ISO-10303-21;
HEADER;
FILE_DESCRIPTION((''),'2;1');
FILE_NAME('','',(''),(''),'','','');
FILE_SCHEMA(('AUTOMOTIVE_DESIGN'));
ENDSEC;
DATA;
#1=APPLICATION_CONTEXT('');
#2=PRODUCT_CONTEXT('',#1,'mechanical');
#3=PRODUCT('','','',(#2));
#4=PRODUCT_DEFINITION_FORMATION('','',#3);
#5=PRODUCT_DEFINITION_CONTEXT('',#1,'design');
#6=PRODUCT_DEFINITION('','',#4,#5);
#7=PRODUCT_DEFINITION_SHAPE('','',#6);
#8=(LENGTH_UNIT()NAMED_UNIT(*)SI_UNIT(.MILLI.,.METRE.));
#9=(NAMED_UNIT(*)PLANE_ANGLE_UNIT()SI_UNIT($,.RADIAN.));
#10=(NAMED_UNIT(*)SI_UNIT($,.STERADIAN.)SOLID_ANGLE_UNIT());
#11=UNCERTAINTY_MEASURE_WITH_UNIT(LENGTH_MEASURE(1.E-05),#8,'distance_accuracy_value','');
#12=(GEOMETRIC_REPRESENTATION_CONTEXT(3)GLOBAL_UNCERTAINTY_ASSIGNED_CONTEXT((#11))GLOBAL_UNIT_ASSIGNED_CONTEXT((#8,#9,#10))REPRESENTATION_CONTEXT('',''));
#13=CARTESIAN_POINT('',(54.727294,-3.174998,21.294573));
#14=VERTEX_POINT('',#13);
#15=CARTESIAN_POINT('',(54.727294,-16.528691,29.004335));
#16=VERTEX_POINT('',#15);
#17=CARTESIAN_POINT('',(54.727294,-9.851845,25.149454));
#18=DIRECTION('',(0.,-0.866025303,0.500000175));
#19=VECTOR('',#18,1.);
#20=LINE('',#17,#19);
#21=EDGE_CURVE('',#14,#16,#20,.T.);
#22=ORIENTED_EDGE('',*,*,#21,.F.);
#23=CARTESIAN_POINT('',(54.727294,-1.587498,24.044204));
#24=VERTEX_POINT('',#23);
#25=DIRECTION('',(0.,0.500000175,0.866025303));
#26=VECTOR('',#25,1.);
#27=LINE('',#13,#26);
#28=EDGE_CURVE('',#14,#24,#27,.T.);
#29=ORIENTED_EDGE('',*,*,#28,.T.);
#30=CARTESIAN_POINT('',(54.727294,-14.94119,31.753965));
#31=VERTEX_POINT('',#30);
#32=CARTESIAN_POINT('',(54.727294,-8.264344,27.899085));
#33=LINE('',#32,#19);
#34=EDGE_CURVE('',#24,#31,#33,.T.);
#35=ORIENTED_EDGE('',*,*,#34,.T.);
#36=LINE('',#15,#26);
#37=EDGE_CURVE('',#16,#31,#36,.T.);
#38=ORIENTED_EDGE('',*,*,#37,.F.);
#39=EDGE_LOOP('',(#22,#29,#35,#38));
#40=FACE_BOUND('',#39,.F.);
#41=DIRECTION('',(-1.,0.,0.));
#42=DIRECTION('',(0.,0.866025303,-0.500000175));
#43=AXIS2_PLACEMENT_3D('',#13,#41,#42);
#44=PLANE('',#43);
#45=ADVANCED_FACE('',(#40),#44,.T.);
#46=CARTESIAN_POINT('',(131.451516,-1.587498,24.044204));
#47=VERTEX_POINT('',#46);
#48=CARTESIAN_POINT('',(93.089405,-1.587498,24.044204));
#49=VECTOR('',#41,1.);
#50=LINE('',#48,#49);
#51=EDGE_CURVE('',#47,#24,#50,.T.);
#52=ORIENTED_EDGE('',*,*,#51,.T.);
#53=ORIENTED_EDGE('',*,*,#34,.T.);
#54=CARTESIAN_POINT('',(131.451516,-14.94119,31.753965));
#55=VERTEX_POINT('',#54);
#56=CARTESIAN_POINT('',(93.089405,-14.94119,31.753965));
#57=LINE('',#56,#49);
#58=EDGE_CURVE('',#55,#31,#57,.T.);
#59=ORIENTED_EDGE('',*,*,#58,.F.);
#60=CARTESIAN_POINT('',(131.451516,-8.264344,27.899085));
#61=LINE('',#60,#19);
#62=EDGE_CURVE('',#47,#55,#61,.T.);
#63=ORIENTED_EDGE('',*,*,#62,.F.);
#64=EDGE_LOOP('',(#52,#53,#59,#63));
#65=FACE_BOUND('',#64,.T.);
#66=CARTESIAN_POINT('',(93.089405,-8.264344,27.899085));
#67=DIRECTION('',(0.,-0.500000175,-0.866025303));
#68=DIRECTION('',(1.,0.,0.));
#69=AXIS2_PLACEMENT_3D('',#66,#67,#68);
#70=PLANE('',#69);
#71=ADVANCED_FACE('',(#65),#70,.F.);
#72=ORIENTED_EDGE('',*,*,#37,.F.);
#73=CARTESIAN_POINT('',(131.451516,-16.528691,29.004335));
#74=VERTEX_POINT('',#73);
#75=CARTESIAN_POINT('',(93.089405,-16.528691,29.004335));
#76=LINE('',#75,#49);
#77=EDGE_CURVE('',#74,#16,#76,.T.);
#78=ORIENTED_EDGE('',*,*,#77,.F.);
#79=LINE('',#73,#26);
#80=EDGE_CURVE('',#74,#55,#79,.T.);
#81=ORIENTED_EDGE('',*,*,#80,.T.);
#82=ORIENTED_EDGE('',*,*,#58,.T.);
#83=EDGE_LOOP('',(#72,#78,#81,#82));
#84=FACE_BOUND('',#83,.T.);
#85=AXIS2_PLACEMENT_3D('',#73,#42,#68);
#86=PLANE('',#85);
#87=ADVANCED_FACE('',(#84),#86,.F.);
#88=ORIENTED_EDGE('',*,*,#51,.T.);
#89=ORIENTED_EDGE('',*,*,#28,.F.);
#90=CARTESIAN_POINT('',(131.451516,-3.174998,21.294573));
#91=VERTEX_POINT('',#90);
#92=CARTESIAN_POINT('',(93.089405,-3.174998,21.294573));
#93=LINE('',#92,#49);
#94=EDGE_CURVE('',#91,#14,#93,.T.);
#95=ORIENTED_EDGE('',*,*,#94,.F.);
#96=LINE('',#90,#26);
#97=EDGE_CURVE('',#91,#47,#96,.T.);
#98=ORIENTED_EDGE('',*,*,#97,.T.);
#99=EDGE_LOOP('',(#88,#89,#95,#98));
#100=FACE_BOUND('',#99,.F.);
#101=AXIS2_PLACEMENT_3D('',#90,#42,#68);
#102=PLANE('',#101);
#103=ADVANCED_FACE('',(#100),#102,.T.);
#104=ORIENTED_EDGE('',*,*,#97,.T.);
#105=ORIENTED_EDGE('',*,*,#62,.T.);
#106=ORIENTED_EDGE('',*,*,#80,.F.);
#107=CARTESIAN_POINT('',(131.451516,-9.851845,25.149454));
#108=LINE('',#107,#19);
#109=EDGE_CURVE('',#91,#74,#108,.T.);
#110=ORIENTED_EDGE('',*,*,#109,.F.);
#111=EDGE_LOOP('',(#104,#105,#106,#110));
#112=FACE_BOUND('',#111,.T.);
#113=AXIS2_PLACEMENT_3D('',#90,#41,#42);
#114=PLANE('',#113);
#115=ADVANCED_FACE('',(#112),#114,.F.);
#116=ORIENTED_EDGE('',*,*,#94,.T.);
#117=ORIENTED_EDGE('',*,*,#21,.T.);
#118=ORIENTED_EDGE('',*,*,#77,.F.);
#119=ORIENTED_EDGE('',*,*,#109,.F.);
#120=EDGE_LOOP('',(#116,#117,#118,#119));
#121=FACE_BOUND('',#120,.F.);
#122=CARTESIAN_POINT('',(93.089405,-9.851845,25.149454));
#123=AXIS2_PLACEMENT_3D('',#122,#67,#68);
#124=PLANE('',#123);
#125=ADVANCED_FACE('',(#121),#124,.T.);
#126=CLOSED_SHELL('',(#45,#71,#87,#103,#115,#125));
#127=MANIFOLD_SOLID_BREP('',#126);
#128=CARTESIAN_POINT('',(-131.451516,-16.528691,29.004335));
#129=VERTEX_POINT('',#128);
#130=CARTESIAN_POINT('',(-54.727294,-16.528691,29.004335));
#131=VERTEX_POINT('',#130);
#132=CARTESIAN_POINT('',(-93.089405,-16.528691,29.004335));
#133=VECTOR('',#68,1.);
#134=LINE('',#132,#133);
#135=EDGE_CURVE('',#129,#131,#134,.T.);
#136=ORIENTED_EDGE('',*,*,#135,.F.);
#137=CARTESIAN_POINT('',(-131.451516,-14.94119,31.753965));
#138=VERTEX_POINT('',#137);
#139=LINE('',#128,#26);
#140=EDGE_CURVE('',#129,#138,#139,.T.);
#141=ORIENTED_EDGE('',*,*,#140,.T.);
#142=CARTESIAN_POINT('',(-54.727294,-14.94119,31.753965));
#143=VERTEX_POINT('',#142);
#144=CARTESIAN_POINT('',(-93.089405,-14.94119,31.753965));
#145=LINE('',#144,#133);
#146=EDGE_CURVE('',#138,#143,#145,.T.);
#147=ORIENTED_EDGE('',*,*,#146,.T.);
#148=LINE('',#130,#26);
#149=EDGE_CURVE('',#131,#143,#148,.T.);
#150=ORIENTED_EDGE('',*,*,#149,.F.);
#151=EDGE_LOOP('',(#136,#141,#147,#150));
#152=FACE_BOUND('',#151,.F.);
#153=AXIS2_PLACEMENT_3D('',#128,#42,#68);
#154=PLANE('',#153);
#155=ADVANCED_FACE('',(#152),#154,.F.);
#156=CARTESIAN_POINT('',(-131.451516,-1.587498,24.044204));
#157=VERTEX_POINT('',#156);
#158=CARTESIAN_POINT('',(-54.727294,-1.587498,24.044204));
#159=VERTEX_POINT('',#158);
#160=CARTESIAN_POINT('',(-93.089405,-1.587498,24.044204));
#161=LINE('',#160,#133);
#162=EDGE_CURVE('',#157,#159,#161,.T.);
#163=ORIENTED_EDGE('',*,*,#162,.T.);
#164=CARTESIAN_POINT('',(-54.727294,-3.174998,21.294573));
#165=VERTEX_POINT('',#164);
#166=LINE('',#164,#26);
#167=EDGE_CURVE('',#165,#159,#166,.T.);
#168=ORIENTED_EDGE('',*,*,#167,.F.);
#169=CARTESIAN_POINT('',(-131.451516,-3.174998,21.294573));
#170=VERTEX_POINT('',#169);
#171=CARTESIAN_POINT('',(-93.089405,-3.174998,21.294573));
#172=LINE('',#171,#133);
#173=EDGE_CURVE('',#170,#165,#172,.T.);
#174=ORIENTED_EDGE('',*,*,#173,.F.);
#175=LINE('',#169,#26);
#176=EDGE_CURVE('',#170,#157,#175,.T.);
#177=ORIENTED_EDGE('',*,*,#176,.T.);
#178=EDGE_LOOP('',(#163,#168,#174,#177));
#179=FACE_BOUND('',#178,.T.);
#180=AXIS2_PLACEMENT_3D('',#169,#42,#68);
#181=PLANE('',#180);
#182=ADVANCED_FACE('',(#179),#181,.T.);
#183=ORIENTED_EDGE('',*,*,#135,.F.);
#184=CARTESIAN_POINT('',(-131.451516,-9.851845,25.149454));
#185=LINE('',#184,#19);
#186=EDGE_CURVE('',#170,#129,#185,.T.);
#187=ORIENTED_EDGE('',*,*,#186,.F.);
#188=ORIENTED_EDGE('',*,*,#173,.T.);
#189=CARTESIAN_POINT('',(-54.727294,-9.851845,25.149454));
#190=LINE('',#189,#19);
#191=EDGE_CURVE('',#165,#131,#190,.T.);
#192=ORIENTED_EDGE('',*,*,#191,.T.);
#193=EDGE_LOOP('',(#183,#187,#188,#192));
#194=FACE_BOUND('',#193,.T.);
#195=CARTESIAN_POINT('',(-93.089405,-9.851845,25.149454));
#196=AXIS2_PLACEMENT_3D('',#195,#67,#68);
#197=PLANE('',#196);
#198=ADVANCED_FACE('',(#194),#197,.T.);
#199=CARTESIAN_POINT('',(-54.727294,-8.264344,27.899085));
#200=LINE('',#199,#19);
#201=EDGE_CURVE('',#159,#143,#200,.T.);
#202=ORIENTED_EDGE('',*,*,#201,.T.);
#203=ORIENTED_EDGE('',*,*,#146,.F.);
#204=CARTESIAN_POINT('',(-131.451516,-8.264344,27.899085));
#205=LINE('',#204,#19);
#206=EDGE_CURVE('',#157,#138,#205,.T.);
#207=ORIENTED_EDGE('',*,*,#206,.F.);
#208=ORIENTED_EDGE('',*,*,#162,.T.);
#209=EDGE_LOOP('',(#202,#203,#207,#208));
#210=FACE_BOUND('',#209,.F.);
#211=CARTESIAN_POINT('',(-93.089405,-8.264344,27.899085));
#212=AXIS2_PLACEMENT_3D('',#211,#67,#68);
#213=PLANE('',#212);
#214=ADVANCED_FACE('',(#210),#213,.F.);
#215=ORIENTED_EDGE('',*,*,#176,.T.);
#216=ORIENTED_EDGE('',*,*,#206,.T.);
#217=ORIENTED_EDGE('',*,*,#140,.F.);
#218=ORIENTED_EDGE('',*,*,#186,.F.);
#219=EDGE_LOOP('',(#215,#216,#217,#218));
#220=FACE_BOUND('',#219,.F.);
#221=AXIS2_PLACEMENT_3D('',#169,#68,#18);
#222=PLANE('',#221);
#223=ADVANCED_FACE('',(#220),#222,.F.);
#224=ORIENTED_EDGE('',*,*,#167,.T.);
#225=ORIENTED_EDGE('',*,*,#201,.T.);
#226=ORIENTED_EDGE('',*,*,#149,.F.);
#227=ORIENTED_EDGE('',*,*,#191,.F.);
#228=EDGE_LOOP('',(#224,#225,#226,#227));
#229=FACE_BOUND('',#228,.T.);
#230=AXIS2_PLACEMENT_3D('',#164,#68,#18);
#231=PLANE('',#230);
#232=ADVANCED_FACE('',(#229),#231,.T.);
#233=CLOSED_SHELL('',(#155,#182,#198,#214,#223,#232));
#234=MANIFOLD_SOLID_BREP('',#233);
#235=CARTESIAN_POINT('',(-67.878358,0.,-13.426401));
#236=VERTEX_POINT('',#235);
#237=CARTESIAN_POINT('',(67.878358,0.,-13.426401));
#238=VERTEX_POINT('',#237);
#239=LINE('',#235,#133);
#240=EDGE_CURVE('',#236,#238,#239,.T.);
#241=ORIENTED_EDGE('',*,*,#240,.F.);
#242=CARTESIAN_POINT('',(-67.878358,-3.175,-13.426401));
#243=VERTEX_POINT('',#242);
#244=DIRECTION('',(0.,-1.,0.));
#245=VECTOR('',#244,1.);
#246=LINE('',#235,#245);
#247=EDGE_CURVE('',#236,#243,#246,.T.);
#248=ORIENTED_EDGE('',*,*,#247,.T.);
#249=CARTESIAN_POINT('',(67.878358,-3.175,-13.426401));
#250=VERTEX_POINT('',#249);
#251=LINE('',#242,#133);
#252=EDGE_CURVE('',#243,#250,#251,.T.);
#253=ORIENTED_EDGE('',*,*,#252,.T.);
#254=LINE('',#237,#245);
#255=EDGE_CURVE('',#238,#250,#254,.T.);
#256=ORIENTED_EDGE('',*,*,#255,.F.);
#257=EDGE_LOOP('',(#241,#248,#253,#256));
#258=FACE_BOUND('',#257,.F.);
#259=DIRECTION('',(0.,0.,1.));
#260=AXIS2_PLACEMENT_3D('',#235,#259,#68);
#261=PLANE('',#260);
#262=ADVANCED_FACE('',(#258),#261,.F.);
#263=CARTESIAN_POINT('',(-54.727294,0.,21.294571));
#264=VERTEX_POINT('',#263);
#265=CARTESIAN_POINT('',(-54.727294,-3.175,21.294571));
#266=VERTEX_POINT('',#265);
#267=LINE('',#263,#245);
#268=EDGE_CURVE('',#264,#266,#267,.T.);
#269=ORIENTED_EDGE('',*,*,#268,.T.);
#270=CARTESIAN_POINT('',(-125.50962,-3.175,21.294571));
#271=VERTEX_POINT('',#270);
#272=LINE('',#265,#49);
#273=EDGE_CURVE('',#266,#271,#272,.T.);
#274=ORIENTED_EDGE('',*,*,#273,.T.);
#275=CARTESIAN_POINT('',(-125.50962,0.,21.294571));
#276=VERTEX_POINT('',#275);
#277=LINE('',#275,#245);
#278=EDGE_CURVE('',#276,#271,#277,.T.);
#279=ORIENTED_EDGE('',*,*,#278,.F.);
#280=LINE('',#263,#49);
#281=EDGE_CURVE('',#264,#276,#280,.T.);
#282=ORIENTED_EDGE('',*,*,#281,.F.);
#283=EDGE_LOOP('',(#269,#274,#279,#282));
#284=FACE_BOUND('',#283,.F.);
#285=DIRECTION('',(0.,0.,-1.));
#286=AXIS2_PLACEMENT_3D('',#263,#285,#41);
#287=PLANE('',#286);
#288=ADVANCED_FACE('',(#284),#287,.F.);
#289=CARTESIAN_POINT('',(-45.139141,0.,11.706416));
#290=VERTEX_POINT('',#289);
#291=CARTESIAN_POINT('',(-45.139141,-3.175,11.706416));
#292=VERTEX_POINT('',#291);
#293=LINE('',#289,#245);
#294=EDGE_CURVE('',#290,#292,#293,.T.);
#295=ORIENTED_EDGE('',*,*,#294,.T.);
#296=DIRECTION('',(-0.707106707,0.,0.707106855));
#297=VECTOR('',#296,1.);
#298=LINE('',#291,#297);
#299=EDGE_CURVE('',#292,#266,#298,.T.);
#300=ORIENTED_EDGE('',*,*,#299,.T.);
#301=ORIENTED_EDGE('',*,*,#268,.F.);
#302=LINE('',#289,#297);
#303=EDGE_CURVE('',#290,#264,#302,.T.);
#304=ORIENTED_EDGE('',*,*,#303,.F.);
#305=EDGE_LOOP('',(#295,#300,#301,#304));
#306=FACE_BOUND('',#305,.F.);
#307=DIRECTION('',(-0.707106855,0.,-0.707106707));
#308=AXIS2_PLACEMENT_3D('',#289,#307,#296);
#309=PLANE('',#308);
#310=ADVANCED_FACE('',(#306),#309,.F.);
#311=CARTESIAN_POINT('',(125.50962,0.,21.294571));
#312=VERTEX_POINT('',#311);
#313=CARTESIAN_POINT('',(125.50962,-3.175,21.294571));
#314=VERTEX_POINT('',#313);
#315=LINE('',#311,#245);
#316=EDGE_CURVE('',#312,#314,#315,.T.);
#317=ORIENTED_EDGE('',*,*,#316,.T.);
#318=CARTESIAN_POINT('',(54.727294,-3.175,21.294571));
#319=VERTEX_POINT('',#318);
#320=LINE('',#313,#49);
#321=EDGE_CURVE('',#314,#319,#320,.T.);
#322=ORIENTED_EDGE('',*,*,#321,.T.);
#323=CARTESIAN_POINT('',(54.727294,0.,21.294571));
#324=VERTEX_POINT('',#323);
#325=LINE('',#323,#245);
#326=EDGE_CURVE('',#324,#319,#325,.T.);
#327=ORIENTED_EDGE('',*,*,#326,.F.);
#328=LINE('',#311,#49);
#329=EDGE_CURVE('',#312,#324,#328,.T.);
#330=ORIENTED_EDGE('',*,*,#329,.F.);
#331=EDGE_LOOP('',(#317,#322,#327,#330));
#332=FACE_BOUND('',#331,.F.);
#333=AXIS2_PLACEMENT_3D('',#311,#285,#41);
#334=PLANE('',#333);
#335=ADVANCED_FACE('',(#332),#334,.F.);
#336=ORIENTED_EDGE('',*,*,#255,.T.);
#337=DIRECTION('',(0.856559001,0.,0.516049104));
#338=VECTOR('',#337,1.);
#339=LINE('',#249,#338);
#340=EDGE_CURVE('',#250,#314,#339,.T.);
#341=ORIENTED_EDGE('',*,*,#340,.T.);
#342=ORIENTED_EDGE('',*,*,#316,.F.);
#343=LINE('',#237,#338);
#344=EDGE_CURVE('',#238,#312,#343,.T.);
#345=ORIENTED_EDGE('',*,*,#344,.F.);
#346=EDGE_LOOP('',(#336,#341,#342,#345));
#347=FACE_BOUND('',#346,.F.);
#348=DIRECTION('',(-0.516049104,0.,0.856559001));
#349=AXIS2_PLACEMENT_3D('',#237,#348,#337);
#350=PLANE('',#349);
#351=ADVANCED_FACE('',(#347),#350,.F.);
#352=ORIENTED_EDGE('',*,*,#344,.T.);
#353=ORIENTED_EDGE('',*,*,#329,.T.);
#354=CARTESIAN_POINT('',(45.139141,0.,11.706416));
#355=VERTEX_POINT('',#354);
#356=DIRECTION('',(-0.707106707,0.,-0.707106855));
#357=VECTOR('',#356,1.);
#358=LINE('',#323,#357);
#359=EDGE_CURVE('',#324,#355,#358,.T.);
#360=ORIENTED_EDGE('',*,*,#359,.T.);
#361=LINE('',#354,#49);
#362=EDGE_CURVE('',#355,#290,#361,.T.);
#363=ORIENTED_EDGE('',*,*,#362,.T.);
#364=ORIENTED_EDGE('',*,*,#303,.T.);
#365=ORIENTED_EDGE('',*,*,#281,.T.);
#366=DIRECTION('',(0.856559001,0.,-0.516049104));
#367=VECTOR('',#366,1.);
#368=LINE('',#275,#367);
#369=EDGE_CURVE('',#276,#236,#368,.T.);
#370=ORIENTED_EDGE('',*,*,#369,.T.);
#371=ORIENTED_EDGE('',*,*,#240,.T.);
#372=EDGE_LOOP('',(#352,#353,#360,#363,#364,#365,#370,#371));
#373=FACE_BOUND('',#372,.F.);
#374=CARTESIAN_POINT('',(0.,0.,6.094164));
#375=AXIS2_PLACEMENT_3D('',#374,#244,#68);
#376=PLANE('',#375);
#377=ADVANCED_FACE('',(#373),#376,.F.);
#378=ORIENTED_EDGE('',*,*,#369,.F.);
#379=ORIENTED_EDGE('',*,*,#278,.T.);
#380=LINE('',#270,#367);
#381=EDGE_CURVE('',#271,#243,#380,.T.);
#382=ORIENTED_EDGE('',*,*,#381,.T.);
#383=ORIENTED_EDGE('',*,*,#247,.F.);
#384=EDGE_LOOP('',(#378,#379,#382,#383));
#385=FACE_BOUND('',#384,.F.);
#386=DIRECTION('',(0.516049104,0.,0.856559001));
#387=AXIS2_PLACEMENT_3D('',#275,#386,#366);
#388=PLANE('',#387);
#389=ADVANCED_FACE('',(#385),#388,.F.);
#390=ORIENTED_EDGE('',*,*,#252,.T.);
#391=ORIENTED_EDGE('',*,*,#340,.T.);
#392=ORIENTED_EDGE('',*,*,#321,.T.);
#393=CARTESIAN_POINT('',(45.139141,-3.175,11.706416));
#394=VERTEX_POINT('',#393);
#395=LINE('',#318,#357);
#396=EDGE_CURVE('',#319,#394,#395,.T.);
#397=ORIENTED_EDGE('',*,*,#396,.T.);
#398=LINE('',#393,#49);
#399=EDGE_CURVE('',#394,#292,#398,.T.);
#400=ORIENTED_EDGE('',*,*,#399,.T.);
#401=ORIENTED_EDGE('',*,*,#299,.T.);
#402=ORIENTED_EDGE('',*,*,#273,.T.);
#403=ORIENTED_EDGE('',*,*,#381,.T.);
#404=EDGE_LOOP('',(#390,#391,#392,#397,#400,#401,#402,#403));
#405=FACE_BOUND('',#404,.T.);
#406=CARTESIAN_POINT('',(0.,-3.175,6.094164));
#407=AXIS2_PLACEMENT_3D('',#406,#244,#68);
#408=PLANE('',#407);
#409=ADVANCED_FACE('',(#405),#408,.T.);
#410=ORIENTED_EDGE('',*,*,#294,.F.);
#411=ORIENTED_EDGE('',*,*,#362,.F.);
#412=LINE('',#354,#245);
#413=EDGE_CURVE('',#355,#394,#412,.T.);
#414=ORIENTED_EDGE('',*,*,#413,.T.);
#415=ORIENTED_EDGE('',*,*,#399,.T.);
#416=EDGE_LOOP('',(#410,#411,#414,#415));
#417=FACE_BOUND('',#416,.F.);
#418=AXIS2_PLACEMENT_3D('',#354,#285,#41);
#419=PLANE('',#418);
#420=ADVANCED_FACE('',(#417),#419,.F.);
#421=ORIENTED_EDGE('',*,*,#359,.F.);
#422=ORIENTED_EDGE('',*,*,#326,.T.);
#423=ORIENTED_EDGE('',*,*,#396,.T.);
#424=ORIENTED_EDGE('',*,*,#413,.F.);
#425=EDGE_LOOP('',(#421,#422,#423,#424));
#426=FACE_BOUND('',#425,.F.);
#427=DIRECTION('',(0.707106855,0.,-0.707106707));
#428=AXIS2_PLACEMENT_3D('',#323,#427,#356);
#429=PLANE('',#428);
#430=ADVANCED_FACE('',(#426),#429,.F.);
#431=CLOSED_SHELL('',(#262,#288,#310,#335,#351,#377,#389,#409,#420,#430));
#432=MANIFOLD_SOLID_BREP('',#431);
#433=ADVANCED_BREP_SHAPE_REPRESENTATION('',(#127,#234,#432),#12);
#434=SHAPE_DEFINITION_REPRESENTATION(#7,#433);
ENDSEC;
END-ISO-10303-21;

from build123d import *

# Parameters (mm, degrees)
F1_DEPTH = 3.175
F3_W     = 76.724223
F3_H     = 15.419518
F4_DEPTH = 3.175


with BuildPart() as f1:
    # F0 (on Front) → F1 (new body)
    with BuildSketch(Plane.XZ):
        Polygon((45.139141, 11.706416), (0, 11.706416), (-45.139141, 11.706416), (-54.727294, 21.294571), (-125.50962, 21.294571), (-67.878358, -13.426401), (0, -13.426401), (67.878358, -13.426401), (125.50962, 21.294571), (54.727294, 21.294571), align=None)
    extrude(amount=F1_DEPTH)


with BuildPart() as f4:
    # F3 (on face) → F4 (new body)
    with BuildSketch(Plane(origin=(0, 8.42707, 14.596113), x_dir=(1, 0, 0), z_dir=(0, -0.5, -0.866025))):
        with Locations((-93.089405, 21.106675)):
            Rectangle(F3_W, F3_H)
    extrude(amount=-F4_DEPTH)


with BuildPart() as f5_1:
    # F5: instance of F4
    add(f4.part.mirror(Plane.YZ))


solid = Compound([f1.part, f4.part, f5_1.part])
